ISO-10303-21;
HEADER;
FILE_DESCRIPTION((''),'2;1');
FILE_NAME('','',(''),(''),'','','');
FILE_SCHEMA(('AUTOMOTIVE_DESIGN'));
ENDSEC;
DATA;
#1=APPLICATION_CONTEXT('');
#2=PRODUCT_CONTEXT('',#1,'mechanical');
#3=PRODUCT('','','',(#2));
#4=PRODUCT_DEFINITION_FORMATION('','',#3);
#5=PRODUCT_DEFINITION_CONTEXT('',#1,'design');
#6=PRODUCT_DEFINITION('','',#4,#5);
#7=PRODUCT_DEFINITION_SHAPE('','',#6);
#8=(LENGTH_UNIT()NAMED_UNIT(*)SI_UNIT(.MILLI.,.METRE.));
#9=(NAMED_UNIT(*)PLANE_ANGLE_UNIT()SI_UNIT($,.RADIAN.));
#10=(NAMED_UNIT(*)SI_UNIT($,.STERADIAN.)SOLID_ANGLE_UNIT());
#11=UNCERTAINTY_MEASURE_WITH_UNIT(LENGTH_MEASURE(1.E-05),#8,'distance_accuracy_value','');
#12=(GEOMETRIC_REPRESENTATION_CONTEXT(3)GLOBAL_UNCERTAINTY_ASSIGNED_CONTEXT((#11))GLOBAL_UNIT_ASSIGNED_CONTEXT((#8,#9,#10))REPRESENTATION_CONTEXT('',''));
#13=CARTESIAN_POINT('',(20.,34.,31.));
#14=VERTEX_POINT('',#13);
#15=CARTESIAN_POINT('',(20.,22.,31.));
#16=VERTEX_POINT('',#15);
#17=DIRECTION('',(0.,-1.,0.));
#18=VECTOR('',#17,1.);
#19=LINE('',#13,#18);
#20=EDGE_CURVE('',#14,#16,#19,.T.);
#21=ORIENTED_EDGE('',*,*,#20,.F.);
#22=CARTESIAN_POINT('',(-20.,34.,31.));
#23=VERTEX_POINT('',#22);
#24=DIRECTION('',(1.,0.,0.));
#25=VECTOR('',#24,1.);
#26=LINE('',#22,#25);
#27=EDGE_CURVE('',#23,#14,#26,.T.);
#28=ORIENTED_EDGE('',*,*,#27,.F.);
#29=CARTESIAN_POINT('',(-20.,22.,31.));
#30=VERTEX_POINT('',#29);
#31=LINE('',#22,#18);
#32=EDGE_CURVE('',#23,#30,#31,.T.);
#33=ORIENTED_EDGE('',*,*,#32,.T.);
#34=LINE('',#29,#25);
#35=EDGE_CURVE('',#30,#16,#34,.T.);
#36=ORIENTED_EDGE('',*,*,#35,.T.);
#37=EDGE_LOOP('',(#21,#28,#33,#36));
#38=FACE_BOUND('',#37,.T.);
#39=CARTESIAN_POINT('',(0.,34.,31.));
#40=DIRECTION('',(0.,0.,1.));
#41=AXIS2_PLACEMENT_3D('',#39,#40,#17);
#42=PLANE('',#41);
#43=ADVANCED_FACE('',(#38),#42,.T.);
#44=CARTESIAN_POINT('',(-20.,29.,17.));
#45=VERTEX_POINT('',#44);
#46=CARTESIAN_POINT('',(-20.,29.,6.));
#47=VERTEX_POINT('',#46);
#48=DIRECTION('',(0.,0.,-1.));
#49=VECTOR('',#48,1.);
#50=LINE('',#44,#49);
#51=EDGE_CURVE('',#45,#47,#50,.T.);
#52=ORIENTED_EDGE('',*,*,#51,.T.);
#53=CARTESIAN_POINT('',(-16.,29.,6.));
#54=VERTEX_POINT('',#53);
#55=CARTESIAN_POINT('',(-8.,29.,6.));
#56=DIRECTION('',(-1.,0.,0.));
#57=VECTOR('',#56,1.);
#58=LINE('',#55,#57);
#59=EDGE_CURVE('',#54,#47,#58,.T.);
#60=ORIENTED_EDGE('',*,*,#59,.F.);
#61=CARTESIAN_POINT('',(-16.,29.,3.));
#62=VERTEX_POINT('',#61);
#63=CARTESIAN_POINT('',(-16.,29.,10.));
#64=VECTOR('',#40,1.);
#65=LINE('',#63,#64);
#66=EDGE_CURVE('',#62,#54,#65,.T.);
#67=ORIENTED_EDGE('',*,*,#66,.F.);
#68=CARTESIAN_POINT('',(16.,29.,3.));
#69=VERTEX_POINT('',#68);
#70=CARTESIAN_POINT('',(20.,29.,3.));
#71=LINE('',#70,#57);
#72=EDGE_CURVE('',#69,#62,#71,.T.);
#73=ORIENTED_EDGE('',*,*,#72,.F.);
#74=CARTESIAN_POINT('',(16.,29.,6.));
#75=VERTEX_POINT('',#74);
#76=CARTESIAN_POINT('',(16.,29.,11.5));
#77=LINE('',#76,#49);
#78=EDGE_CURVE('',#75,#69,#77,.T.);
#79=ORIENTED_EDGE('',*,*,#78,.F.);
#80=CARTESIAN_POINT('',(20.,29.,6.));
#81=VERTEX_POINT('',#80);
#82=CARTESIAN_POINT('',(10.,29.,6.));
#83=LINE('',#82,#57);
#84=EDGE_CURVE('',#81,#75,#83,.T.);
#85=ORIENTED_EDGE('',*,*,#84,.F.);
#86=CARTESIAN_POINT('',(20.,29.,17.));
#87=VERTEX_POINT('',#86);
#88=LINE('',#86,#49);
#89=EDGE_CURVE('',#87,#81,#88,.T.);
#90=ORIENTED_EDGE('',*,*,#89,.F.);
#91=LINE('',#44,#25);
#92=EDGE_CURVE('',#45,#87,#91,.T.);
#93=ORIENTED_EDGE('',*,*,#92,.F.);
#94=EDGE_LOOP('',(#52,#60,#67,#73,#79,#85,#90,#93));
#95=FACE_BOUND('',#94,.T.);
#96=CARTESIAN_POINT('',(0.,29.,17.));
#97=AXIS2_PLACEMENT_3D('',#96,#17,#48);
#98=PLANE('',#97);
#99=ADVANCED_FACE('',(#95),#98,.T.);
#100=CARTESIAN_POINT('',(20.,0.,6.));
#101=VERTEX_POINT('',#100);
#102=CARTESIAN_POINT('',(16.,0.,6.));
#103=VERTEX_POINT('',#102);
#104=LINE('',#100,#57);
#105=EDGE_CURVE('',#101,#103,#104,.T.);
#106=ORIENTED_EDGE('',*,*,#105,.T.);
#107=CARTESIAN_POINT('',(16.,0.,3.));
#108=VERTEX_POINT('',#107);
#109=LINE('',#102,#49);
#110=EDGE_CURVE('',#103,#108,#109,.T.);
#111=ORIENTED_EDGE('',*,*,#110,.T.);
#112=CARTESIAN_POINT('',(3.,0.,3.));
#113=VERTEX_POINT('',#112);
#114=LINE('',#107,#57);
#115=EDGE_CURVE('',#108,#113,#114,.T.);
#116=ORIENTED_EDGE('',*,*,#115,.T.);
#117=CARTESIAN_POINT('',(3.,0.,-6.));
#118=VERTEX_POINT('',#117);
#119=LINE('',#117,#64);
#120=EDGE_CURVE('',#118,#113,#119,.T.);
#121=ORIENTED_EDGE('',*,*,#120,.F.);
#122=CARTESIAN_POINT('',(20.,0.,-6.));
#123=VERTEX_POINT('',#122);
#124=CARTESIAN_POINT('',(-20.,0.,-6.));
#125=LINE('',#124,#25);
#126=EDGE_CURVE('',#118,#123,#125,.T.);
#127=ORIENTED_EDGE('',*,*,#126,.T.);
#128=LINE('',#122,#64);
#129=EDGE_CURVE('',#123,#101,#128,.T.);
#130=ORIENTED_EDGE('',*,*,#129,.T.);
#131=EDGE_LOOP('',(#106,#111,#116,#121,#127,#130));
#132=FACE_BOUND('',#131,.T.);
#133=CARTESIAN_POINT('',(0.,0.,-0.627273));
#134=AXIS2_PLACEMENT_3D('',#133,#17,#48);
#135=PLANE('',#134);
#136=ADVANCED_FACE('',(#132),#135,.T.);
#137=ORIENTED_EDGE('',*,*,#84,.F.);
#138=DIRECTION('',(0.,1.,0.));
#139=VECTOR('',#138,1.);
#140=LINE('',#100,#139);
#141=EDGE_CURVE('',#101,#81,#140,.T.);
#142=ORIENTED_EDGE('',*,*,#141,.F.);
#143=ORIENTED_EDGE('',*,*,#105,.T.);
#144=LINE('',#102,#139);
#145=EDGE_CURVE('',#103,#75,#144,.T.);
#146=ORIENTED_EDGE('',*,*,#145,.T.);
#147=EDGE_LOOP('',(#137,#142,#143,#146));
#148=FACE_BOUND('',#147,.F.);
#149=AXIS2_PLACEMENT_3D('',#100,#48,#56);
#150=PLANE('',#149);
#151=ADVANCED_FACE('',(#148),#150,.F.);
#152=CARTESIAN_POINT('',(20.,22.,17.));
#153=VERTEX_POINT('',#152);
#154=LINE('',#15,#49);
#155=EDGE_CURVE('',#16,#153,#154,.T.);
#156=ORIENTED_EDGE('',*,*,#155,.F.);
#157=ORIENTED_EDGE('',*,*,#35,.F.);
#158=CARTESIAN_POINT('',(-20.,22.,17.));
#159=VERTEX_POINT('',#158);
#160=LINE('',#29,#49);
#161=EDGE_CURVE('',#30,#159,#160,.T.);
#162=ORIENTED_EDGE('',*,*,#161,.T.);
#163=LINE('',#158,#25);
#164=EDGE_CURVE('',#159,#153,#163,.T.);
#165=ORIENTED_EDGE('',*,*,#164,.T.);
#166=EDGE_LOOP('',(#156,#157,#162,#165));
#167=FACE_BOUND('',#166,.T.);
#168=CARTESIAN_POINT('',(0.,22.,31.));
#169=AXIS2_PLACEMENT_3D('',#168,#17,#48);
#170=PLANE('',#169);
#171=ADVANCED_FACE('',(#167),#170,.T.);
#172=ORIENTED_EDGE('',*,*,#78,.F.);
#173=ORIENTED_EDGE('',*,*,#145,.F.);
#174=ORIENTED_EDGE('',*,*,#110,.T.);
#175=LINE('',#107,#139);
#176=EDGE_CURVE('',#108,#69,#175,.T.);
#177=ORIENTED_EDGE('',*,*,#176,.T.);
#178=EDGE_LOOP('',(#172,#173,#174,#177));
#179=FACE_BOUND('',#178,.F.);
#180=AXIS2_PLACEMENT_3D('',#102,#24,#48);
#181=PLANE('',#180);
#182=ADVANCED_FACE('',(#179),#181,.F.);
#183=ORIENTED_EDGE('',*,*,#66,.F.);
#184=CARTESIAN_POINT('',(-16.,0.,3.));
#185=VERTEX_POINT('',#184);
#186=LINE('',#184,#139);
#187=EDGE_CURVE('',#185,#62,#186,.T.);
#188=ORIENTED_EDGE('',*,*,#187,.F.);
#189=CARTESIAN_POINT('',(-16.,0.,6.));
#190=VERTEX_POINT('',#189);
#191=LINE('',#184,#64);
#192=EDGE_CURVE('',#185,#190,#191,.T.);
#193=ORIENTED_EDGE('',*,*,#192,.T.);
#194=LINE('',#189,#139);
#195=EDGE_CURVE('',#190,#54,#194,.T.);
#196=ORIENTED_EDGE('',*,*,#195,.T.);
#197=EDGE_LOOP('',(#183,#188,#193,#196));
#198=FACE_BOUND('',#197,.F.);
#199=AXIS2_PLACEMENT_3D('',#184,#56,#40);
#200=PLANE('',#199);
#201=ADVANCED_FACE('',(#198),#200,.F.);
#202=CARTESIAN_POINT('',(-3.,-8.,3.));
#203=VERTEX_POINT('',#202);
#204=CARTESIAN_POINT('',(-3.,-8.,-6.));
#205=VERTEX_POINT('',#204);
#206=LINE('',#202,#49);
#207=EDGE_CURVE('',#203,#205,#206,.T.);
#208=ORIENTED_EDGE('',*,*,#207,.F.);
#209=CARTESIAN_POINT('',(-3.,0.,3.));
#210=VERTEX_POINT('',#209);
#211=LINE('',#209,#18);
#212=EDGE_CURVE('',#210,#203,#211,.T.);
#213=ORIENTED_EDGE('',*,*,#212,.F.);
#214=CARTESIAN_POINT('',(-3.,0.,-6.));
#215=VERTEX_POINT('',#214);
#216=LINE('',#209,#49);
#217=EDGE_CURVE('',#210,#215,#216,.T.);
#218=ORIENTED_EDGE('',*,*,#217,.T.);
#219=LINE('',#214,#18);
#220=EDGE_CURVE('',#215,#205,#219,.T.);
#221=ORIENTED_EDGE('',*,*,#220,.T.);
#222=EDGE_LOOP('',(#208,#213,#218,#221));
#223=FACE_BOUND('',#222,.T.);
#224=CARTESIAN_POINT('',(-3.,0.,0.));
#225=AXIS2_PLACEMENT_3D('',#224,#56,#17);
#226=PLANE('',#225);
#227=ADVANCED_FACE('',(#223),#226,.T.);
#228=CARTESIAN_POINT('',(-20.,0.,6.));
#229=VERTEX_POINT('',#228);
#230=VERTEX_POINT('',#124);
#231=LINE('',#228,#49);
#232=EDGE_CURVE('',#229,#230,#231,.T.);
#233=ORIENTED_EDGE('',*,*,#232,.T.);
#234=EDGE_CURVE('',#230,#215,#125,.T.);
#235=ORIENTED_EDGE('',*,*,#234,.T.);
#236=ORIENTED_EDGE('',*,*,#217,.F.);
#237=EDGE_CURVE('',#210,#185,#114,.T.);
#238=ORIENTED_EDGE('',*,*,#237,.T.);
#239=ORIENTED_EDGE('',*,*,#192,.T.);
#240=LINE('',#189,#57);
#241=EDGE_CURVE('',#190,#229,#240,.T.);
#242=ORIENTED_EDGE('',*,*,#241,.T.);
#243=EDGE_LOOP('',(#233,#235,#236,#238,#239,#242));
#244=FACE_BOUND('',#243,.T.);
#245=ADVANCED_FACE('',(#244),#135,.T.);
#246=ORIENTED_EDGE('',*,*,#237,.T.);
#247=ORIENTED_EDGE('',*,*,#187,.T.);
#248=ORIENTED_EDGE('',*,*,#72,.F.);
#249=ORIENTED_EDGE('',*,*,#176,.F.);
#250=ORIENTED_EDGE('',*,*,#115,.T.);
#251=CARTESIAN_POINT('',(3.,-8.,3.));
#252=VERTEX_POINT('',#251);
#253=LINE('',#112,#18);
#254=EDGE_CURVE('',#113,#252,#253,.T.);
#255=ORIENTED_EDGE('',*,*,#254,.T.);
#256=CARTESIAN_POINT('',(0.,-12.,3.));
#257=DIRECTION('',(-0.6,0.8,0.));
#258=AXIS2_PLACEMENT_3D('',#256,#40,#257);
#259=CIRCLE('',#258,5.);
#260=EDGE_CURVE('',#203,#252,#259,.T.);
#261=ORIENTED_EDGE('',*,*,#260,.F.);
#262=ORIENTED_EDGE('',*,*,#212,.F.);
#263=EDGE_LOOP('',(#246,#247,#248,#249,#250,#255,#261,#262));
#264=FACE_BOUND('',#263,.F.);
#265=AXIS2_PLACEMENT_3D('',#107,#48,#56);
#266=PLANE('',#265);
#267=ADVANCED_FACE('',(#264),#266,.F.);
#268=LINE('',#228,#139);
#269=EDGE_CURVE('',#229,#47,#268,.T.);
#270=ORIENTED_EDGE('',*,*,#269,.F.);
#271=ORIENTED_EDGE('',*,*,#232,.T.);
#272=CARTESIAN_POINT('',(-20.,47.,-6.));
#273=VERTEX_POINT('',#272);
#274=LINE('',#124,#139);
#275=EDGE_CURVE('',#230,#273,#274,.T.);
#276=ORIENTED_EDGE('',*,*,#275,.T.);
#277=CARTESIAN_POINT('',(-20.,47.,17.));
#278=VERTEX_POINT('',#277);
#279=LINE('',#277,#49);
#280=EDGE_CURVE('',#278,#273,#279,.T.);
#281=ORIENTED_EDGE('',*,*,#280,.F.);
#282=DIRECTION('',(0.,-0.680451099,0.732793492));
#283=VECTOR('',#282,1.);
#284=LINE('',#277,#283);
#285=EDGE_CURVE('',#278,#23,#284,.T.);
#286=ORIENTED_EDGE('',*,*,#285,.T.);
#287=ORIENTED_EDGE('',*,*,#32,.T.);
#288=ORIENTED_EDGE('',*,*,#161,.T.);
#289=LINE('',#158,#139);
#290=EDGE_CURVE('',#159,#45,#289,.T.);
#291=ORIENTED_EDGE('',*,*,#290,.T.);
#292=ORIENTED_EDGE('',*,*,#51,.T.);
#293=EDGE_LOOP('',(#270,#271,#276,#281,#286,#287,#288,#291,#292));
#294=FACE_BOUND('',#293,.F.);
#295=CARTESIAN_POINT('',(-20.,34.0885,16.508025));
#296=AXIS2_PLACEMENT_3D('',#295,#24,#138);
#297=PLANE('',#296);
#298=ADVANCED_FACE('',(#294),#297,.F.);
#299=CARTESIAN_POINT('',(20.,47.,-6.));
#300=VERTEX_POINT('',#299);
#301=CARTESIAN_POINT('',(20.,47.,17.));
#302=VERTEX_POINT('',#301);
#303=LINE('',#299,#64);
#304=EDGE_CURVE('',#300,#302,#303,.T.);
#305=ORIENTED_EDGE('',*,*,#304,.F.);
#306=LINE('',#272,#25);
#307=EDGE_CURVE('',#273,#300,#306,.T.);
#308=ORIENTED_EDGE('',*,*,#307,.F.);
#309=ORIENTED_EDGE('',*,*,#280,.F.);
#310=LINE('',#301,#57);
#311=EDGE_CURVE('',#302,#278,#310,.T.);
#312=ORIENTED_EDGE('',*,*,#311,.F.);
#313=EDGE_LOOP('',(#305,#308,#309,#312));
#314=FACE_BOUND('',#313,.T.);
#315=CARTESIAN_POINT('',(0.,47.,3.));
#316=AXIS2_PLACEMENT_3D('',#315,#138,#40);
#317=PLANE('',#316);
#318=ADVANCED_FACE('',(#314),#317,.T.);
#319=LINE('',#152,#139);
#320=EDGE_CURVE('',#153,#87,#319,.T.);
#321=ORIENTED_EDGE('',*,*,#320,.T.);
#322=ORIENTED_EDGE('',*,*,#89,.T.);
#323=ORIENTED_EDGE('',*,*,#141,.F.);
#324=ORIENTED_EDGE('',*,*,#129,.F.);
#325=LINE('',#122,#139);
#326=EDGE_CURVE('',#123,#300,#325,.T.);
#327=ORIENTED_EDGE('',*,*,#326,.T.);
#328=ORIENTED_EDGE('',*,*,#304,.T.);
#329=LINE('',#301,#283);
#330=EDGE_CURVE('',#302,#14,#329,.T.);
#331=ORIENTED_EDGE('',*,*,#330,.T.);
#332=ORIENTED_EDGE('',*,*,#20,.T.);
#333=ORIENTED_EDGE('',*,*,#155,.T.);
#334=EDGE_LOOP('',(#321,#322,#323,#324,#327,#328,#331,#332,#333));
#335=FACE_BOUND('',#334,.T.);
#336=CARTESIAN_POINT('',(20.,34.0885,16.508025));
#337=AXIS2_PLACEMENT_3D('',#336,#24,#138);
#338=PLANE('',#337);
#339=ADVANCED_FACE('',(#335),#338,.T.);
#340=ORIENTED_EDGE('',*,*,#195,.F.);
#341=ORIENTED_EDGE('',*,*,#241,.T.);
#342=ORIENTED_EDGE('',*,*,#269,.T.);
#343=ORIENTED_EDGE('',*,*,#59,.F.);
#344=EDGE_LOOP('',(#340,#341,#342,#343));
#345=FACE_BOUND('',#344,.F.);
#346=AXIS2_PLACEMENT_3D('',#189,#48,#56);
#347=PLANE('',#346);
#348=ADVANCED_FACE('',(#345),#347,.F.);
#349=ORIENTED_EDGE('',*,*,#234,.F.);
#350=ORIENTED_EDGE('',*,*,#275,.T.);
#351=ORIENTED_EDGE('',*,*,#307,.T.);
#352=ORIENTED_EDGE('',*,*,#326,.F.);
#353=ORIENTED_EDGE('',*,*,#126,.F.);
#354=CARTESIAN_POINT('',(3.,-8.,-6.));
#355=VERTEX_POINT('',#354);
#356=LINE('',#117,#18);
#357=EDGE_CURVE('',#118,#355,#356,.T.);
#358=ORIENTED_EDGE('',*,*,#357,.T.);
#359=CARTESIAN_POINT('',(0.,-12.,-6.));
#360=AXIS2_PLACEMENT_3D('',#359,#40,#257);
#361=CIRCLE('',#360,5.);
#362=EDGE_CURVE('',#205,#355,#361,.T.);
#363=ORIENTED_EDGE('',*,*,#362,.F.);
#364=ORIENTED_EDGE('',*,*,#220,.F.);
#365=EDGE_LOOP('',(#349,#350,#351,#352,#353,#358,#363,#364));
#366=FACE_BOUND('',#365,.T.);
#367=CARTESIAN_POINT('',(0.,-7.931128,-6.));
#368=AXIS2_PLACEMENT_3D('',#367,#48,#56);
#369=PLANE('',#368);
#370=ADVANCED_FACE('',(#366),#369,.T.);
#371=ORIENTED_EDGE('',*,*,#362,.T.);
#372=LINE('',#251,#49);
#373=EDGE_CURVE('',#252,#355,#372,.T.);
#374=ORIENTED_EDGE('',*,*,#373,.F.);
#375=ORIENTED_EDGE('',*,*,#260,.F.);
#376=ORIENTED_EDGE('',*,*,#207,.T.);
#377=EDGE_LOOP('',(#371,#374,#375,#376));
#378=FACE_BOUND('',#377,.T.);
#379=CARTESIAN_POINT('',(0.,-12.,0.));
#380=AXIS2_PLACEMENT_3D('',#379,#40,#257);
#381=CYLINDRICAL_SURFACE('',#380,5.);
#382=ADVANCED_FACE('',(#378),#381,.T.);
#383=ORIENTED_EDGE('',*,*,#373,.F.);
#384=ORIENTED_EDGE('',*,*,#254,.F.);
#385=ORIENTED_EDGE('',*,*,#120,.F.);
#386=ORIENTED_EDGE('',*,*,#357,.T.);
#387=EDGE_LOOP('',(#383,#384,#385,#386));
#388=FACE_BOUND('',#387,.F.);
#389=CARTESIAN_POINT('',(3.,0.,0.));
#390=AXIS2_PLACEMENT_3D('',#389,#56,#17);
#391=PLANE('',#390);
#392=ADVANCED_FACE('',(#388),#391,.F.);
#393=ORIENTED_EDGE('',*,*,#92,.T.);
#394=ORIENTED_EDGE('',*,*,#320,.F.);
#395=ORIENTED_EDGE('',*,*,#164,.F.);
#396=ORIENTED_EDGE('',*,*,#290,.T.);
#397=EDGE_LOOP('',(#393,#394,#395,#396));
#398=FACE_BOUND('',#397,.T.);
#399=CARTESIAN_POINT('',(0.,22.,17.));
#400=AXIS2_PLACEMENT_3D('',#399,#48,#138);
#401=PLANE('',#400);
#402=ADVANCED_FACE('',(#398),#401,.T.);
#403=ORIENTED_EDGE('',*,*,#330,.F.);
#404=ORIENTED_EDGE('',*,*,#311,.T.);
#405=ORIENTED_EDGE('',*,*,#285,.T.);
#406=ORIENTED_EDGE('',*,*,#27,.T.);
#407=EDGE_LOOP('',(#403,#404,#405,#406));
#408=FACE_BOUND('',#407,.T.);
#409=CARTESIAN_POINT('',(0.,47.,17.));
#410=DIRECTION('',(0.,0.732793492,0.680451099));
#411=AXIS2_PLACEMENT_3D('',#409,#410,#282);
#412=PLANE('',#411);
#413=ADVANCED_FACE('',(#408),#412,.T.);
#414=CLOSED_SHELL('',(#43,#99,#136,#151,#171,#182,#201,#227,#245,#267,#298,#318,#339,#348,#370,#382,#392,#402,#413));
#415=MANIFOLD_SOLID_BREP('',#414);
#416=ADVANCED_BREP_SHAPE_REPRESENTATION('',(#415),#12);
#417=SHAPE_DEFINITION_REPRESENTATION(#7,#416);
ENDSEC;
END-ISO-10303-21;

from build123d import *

# Parameters (mm, degrees)
PAD_DEPTH         = 20
PAD001_DEPTH      = 3
PAD001_DEPTH_BACK = 6


with BuildPart() as part:
    # AdditivePipe: sweep along a path in Sketch
    with BuildLine(Plane.XY) as additivepipe_path:
        Line((0, 0), (0, 47))
    # Sketch001 → AdditivePipe (sweep)
    with BuildSketch(Plane.XZ):
        Polygon((-20, 6), (-20, -6), (-16, -6), (-9, -6), (9, -6), (16, -6), (20, -6), (20, 6), (16, 6), (16, 3), (9, 3), (-9, 3), (-16, 3), (-16, 6), align=None)
    sweep(path=additivepipe_path.line)

    # Sketch002 → Pad (new body, symmetric)
    with BuildSketch(Plane.YZ):
        Polygon((47, 6), (47, 17), (34, 31), (22, 31), (22, 17), (29, 17), (29, 3), (47, 3), align=None)
    extrude(amount=PAD_DEPTH, both=True)

    # Sketch003 → Pad001 (join, two sides)
    with BuildSketch(Plane.XY) as pad001_sk:
        with BuildLine():
            Line((-3, 0), (3, 0))
            Line((3, 0), (3, -8))
            ThreePointArc((-3, -8), (0, -17), (3, -8))
            Line((-3, 0), (-3, -8))
        make_face()
    extrude(amount=PAD001_DEPTH)
    extrude(pad001_sk.sketch, amount=-PAD001_DEPTH_BACK)


solid = part.part
